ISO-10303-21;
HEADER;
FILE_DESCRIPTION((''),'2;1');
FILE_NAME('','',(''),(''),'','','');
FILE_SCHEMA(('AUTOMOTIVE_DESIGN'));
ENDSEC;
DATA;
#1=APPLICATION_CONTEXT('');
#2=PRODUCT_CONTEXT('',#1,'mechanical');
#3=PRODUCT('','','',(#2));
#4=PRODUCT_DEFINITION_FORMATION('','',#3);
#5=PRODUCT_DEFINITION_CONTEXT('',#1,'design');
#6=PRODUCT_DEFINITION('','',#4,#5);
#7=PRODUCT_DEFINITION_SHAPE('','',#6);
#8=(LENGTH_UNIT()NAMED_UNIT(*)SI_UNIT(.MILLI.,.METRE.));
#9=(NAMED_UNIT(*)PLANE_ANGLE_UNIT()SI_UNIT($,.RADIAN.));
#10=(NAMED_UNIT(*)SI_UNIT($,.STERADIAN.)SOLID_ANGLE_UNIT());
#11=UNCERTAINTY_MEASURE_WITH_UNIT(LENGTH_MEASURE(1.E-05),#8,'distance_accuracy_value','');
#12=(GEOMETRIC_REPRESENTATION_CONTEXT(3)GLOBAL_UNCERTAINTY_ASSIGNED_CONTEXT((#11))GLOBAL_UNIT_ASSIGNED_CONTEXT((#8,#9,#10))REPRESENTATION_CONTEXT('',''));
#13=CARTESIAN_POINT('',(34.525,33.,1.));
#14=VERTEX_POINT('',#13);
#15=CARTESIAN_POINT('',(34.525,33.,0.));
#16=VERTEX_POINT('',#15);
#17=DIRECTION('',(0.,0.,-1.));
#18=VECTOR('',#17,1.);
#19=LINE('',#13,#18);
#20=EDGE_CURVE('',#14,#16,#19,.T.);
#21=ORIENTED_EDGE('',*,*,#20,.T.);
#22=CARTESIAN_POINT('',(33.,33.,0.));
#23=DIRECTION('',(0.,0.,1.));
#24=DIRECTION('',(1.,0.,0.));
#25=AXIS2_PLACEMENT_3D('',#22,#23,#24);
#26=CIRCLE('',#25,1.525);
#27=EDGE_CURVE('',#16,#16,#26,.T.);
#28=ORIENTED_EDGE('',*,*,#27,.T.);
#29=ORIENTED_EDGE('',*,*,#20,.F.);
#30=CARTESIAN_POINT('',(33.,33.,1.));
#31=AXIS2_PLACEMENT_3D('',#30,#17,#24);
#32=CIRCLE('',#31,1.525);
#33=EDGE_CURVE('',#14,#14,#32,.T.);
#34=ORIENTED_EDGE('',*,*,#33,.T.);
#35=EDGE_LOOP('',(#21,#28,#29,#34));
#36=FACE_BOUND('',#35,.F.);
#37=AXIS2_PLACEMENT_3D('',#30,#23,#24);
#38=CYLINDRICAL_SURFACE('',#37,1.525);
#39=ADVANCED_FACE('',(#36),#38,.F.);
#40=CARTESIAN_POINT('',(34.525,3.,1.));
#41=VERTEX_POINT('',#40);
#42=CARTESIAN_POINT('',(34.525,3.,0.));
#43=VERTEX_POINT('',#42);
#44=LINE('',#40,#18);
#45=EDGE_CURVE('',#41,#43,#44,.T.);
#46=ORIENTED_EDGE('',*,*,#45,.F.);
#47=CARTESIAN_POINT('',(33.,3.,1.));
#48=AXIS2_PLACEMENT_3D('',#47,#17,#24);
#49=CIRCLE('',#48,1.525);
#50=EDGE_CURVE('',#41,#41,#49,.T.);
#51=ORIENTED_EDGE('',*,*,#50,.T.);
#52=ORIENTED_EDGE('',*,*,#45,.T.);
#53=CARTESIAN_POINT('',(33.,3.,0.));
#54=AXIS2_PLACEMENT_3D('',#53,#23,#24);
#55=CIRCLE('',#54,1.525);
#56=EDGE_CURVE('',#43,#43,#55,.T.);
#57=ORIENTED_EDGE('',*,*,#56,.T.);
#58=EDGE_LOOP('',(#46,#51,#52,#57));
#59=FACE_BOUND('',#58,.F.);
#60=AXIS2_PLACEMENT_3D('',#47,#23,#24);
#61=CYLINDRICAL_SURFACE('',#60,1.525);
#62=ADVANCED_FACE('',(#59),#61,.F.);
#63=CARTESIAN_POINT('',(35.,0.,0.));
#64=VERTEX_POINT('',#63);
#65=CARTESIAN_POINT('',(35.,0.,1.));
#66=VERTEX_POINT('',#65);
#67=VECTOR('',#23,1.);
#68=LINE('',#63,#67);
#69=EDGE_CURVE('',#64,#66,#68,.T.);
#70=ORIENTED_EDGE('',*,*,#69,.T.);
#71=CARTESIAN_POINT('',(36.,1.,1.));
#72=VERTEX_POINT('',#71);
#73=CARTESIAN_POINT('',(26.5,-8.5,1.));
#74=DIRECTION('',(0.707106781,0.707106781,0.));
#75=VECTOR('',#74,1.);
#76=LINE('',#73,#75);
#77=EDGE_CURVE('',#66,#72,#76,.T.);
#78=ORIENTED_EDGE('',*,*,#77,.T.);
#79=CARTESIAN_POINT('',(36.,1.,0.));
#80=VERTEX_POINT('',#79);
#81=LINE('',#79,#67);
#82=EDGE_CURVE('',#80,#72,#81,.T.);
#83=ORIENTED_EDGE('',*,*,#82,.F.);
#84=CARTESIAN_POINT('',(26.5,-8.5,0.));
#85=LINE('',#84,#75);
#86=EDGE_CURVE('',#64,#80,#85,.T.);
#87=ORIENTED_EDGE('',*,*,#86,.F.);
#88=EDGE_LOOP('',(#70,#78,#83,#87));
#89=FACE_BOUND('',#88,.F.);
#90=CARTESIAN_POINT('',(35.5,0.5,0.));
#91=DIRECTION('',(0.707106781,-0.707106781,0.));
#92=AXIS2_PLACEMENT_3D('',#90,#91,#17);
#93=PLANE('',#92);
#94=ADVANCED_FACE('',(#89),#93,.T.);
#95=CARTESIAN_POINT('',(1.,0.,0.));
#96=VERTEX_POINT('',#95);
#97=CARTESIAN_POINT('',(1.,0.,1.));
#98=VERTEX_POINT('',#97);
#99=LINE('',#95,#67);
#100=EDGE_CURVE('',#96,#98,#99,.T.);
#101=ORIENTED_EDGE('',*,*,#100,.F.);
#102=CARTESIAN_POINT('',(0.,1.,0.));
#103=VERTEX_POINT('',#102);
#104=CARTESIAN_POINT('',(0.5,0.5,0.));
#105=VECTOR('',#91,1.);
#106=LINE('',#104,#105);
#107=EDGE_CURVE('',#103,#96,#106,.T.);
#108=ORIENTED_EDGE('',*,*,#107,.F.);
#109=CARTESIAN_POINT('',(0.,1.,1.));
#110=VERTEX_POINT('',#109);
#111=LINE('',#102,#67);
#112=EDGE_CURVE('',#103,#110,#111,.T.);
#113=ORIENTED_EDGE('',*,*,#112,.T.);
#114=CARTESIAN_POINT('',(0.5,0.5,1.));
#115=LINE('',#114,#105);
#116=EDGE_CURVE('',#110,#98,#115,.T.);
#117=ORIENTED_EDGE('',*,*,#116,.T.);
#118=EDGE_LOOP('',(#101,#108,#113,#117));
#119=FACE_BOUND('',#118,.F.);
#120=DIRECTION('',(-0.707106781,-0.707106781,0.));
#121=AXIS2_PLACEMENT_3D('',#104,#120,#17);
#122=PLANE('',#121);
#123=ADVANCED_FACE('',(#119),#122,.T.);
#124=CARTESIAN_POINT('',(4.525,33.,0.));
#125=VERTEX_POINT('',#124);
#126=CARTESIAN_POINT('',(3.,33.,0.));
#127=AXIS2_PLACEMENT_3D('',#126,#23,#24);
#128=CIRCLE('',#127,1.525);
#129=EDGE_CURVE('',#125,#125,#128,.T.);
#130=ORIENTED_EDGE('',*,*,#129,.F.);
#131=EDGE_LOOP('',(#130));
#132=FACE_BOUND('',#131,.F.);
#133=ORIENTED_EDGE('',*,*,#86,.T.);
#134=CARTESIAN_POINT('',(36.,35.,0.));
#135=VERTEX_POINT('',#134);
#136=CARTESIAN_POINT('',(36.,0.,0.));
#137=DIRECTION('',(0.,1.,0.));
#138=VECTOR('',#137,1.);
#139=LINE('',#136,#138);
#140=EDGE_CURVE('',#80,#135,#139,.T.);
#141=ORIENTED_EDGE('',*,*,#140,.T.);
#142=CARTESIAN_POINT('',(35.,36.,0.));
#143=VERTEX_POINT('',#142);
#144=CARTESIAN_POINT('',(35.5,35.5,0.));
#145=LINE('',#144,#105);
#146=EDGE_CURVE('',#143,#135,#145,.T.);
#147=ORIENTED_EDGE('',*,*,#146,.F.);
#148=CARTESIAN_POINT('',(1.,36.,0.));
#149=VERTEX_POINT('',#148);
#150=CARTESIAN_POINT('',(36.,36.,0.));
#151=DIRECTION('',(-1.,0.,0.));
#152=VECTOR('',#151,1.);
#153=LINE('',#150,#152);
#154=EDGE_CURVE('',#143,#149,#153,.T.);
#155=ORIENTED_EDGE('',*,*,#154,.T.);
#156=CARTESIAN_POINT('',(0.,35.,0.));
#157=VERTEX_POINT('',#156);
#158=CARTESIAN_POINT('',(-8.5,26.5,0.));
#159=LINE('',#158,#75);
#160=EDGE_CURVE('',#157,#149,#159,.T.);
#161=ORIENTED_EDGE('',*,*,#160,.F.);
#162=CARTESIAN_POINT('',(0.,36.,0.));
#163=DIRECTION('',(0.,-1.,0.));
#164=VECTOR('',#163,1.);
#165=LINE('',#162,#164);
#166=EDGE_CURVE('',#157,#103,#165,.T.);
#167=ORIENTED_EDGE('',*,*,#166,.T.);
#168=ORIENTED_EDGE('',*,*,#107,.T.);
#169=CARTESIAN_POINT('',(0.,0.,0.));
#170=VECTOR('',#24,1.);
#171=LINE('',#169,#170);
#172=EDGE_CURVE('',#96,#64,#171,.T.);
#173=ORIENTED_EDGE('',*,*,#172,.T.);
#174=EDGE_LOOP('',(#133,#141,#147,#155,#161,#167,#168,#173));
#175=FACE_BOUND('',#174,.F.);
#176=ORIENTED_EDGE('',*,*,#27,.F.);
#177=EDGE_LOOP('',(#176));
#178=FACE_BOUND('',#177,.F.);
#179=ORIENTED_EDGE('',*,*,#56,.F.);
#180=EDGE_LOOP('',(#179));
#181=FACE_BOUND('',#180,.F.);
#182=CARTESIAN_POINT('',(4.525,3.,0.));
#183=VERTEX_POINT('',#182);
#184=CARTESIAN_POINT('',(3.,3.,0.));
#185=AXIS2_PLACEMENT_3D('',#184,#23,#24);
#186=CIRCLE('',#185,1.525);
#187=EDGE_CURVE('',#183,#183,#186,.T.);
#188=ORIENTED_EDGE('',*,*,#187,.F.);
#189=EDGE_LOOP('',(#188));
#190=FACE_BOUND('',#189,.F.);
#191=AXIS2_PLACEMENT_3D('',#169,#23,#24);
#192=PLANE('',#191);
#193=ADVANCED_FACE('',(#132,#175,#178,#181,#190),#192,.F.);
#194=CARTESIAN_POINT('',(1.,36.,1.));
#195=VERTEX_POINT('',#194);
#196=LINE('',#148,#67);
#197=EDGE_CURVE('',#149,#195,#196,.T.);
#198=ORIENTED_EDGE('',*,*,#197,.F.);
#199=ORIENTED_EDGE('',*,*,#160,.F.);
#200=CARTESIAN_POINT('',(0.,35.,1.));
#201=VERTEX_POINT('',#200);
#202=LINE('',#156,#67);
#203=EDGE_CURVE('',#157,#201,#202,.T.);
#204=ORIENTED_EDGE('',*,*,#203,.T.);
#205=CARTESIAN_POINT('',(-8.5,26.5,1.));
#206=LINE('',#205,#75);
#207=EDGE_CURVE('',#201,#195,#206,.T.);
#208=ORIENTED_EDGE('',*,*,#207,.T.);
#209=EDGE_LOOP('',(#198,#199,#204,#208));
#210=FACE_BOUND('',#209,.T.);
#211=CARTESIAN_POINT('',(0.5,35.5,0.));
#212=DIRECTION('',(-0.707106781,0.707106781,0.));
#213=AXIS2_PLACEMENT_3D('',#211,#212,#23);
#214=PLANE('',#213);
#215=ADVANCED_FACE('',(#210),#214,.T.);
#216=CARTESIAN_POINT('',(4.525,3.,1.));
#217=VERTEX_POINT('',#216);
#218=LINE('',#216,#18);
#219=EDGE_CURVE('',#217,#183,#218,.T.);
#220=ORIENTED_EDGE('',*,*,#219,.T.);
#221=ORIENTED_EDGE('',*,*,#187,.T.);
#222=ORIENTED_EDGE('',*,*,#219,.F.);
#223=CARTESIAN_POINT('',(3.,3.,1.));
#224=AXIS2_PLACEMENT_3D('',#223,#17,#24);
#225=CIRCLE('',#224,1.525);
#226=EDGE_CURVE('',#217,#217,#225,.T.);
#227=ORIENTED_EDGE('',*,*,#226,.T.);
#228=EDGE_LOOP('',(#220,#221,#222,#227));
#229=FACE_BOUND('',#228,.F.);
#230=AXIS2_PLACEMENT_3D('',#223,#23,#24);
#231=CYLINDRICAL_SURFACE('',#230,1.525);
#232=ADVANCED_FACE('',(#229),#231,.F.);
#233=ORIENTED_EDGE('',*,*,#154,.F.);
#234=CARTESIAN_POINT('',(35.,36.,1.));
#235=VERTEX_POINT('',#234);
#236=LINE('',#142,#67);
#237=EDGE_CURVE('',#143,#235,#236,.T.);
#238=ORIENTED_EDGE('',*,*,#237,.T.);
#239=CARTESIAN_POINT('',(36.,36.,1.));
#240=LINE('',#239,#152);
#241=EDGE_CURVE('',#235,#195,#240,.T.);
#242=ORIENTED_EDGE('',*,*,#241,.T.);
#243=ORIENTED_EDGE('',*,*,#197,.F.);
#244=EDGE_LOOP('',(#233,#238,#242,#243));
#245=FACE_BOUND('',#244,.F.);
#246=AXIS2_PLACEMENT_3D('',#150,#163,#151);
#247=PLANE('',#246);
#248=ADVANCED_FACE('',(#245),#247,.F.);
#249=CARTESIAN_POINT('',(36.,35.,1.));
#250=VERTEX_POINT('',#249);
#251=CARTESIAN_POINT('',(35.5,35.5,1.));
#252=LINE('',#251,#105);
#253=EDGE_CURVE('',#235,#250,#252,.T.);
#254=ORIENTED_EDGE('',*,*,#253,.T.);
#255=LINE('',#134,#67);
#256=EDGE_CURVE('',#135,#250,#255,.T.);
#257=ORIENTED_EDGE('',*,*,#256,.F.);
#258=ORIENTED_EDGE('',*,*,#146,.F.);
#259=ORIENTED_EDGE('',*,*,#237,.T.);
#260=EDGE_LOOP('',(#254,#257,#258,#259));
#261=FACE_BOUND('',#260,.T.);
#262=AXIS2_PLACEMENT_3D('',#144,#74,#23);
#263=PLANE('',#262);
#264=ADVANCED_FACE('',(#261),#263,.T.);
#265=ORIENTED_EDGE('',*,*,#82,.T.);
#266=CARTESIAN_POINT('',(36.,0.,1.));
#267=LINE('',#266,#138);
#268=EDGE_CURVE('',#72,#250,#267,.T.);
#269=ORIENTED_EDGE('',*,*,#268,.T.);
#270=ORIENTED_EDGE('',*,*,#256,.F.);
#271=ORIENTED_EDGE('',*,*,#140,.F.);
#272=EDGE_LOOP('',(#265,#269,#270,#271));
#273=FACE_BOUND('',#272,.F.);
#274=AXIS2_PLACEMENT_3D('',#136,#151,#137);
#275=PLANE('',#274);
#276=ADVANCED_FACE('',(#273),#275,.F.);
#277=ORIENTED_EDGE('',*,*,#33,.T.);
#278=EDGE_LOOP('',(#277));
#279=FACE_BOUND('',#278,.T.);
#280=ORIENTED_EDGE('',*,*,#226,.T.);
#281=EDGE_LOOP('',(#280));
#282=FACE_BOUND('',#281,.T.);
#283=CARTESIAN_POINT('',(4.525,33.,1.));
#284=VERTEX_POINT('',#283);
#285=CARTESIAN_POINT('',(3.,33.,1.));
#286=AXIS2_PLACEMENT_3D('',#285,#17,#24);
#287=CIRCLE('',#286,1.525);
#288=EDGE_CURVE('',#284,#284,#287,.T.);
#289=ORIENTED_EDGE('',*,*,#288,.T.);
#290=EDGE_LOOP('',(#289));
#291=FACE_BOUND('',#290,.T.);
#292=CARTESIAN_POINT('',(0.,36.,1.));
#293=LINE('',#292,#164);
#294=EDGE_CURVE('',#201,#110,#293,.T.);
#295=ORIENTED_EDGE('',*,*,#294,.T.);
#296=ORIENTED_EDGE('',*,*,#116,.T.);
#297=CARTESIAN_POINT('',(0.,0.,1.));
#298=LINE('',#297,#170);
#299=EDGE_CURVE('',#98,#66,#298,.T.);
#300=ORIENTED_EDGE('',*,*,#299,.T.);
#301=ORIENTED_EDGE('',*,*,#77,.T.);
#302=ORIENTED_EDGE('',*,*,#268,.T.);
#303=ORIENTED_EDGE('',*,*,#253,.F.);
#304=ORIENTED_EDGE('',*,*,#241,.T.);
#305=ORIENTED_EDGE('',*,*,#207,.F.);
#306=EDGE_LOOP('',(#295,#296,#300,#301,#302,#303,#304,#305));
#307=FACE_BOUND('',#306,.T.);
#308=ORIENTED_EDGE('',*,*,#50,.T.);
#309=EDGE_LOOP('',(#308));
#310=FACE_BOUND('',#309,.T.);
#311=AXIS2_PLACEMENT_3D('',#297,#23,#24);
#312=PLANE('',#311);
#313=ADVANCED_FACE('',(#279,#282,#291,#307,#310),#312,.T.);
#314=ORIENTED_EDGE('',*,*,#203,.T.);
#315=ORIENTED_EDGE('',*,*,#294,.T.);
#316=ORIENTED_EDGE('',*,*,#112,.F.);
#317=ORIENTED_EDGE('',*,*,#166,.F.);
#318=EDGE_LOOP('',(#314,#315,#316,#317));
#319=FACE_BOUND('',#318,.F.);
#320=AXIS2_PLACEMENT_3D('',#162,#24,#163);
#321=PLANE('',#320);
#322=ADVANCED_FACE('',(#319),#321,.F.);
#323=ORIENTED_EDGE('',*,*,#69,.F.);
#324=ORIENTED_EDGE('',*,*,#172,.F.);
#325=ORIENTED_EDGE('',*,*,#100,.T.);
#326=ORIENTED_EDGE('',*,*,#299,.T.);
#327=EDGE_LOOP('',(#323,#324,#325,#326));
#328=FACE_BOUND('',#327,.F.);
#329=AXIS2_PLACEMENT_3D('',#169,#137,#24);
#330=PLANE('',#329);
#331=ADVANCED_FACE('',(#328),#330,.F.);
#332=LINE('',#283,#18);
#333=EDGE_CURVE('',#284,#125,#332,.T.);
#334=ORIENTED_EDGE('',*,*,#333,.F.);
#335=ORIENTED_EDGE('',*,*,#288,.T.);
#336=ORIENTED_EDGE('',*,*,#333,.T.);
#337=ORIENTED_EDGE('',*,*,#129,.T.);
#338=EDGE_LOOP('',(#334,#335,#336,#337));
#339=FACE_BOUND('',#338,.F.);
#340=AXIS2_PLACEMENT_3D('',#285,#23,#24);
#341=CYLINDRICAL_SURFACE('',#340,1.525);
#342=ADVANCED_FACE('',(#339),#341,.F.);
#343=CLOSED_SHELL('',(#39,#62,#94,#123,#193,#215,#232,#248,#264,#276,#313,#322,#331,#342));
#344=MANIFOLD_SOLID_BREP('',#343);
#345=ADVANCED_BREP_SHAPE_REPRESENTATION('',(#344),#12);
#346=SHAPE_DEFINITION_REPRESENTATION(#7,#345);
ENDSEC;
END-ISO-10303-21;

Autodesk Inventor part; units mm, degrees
ref_plane "YZ Plane" through (0, 0, 0) normal (1, 0, 0) x (0, 1, 0)
ref_plane "XZ Plane" through (0, 0, 0) normal (0, 1, 0) x (-1, 0, 0)
ref_plane "XY Plane" through (0, 0, 0) normal (0, 0, 1) x (1, 0, 0)
sketch "Sketch1" plane through (0, 0, 0) normal (0, 0, 1) x (1, 0, 0)
  line L0 (0, 0) -> (36, 0)
  line L1 (36, 0) -> (36, 36)
  line L2 (36, 36) -> (0, 36)
  line L3 (0, 36) -> (0, 0)
  dimension "d0" = 36
  dimension "d1" = 36
extrude "Extrusion1" add sketch "Sketch1" along normal blind 1
sketch "Sketch2" plane through (0, 0, 1) normal (0, 0, 1) x (1, 0, 0)
  line L0 (3, 33) -> (33, 33)
  line L1 (33, 33) -> (33, 3)
  line L2 (33, 3) -> (3, 3)
  line L3 (3, 3) -> (3, 33)
  line L4 (0, 36) -> (0, 0) projected
  line L5 (36, 36) -> (0, 36) projected
  circle A0 centre (3, 33) radius 1.525
  circle A1 centre (33, 33) radius 1.525
  circle A2 centre (33, 3) radius 1.525
  circle A3 centre (3, 3) radius 1.525
  dimension "d4" = 30
  dimension "d5" = 30
  dimension "d6" = 3
  dimension "d7" = 3
  dimension "d8" = 3.05
  dimension "d9" = 3.05
  dimension "d10" = 3.05
  dimension "d11" = 3.05
extrude "Extrusion2" cut sketch "Sketch2" against normal through all contours L3 A0 L0 | L0 A0 L3 | A1 L1 L0 | L0 L1 A1 | A3 L2 L3 | L3 L2 A3 | A2 L2 L1 | L1 L2 A2
chamfer "Chamfer1" distance 1 angle 45 4 edges at (0, 36, 0.5) (36, 36, 0.5) (36, 0, 0.5) (0, 0, 0.5)
properties part number "Matek Systems PDU" material "GFRC"
